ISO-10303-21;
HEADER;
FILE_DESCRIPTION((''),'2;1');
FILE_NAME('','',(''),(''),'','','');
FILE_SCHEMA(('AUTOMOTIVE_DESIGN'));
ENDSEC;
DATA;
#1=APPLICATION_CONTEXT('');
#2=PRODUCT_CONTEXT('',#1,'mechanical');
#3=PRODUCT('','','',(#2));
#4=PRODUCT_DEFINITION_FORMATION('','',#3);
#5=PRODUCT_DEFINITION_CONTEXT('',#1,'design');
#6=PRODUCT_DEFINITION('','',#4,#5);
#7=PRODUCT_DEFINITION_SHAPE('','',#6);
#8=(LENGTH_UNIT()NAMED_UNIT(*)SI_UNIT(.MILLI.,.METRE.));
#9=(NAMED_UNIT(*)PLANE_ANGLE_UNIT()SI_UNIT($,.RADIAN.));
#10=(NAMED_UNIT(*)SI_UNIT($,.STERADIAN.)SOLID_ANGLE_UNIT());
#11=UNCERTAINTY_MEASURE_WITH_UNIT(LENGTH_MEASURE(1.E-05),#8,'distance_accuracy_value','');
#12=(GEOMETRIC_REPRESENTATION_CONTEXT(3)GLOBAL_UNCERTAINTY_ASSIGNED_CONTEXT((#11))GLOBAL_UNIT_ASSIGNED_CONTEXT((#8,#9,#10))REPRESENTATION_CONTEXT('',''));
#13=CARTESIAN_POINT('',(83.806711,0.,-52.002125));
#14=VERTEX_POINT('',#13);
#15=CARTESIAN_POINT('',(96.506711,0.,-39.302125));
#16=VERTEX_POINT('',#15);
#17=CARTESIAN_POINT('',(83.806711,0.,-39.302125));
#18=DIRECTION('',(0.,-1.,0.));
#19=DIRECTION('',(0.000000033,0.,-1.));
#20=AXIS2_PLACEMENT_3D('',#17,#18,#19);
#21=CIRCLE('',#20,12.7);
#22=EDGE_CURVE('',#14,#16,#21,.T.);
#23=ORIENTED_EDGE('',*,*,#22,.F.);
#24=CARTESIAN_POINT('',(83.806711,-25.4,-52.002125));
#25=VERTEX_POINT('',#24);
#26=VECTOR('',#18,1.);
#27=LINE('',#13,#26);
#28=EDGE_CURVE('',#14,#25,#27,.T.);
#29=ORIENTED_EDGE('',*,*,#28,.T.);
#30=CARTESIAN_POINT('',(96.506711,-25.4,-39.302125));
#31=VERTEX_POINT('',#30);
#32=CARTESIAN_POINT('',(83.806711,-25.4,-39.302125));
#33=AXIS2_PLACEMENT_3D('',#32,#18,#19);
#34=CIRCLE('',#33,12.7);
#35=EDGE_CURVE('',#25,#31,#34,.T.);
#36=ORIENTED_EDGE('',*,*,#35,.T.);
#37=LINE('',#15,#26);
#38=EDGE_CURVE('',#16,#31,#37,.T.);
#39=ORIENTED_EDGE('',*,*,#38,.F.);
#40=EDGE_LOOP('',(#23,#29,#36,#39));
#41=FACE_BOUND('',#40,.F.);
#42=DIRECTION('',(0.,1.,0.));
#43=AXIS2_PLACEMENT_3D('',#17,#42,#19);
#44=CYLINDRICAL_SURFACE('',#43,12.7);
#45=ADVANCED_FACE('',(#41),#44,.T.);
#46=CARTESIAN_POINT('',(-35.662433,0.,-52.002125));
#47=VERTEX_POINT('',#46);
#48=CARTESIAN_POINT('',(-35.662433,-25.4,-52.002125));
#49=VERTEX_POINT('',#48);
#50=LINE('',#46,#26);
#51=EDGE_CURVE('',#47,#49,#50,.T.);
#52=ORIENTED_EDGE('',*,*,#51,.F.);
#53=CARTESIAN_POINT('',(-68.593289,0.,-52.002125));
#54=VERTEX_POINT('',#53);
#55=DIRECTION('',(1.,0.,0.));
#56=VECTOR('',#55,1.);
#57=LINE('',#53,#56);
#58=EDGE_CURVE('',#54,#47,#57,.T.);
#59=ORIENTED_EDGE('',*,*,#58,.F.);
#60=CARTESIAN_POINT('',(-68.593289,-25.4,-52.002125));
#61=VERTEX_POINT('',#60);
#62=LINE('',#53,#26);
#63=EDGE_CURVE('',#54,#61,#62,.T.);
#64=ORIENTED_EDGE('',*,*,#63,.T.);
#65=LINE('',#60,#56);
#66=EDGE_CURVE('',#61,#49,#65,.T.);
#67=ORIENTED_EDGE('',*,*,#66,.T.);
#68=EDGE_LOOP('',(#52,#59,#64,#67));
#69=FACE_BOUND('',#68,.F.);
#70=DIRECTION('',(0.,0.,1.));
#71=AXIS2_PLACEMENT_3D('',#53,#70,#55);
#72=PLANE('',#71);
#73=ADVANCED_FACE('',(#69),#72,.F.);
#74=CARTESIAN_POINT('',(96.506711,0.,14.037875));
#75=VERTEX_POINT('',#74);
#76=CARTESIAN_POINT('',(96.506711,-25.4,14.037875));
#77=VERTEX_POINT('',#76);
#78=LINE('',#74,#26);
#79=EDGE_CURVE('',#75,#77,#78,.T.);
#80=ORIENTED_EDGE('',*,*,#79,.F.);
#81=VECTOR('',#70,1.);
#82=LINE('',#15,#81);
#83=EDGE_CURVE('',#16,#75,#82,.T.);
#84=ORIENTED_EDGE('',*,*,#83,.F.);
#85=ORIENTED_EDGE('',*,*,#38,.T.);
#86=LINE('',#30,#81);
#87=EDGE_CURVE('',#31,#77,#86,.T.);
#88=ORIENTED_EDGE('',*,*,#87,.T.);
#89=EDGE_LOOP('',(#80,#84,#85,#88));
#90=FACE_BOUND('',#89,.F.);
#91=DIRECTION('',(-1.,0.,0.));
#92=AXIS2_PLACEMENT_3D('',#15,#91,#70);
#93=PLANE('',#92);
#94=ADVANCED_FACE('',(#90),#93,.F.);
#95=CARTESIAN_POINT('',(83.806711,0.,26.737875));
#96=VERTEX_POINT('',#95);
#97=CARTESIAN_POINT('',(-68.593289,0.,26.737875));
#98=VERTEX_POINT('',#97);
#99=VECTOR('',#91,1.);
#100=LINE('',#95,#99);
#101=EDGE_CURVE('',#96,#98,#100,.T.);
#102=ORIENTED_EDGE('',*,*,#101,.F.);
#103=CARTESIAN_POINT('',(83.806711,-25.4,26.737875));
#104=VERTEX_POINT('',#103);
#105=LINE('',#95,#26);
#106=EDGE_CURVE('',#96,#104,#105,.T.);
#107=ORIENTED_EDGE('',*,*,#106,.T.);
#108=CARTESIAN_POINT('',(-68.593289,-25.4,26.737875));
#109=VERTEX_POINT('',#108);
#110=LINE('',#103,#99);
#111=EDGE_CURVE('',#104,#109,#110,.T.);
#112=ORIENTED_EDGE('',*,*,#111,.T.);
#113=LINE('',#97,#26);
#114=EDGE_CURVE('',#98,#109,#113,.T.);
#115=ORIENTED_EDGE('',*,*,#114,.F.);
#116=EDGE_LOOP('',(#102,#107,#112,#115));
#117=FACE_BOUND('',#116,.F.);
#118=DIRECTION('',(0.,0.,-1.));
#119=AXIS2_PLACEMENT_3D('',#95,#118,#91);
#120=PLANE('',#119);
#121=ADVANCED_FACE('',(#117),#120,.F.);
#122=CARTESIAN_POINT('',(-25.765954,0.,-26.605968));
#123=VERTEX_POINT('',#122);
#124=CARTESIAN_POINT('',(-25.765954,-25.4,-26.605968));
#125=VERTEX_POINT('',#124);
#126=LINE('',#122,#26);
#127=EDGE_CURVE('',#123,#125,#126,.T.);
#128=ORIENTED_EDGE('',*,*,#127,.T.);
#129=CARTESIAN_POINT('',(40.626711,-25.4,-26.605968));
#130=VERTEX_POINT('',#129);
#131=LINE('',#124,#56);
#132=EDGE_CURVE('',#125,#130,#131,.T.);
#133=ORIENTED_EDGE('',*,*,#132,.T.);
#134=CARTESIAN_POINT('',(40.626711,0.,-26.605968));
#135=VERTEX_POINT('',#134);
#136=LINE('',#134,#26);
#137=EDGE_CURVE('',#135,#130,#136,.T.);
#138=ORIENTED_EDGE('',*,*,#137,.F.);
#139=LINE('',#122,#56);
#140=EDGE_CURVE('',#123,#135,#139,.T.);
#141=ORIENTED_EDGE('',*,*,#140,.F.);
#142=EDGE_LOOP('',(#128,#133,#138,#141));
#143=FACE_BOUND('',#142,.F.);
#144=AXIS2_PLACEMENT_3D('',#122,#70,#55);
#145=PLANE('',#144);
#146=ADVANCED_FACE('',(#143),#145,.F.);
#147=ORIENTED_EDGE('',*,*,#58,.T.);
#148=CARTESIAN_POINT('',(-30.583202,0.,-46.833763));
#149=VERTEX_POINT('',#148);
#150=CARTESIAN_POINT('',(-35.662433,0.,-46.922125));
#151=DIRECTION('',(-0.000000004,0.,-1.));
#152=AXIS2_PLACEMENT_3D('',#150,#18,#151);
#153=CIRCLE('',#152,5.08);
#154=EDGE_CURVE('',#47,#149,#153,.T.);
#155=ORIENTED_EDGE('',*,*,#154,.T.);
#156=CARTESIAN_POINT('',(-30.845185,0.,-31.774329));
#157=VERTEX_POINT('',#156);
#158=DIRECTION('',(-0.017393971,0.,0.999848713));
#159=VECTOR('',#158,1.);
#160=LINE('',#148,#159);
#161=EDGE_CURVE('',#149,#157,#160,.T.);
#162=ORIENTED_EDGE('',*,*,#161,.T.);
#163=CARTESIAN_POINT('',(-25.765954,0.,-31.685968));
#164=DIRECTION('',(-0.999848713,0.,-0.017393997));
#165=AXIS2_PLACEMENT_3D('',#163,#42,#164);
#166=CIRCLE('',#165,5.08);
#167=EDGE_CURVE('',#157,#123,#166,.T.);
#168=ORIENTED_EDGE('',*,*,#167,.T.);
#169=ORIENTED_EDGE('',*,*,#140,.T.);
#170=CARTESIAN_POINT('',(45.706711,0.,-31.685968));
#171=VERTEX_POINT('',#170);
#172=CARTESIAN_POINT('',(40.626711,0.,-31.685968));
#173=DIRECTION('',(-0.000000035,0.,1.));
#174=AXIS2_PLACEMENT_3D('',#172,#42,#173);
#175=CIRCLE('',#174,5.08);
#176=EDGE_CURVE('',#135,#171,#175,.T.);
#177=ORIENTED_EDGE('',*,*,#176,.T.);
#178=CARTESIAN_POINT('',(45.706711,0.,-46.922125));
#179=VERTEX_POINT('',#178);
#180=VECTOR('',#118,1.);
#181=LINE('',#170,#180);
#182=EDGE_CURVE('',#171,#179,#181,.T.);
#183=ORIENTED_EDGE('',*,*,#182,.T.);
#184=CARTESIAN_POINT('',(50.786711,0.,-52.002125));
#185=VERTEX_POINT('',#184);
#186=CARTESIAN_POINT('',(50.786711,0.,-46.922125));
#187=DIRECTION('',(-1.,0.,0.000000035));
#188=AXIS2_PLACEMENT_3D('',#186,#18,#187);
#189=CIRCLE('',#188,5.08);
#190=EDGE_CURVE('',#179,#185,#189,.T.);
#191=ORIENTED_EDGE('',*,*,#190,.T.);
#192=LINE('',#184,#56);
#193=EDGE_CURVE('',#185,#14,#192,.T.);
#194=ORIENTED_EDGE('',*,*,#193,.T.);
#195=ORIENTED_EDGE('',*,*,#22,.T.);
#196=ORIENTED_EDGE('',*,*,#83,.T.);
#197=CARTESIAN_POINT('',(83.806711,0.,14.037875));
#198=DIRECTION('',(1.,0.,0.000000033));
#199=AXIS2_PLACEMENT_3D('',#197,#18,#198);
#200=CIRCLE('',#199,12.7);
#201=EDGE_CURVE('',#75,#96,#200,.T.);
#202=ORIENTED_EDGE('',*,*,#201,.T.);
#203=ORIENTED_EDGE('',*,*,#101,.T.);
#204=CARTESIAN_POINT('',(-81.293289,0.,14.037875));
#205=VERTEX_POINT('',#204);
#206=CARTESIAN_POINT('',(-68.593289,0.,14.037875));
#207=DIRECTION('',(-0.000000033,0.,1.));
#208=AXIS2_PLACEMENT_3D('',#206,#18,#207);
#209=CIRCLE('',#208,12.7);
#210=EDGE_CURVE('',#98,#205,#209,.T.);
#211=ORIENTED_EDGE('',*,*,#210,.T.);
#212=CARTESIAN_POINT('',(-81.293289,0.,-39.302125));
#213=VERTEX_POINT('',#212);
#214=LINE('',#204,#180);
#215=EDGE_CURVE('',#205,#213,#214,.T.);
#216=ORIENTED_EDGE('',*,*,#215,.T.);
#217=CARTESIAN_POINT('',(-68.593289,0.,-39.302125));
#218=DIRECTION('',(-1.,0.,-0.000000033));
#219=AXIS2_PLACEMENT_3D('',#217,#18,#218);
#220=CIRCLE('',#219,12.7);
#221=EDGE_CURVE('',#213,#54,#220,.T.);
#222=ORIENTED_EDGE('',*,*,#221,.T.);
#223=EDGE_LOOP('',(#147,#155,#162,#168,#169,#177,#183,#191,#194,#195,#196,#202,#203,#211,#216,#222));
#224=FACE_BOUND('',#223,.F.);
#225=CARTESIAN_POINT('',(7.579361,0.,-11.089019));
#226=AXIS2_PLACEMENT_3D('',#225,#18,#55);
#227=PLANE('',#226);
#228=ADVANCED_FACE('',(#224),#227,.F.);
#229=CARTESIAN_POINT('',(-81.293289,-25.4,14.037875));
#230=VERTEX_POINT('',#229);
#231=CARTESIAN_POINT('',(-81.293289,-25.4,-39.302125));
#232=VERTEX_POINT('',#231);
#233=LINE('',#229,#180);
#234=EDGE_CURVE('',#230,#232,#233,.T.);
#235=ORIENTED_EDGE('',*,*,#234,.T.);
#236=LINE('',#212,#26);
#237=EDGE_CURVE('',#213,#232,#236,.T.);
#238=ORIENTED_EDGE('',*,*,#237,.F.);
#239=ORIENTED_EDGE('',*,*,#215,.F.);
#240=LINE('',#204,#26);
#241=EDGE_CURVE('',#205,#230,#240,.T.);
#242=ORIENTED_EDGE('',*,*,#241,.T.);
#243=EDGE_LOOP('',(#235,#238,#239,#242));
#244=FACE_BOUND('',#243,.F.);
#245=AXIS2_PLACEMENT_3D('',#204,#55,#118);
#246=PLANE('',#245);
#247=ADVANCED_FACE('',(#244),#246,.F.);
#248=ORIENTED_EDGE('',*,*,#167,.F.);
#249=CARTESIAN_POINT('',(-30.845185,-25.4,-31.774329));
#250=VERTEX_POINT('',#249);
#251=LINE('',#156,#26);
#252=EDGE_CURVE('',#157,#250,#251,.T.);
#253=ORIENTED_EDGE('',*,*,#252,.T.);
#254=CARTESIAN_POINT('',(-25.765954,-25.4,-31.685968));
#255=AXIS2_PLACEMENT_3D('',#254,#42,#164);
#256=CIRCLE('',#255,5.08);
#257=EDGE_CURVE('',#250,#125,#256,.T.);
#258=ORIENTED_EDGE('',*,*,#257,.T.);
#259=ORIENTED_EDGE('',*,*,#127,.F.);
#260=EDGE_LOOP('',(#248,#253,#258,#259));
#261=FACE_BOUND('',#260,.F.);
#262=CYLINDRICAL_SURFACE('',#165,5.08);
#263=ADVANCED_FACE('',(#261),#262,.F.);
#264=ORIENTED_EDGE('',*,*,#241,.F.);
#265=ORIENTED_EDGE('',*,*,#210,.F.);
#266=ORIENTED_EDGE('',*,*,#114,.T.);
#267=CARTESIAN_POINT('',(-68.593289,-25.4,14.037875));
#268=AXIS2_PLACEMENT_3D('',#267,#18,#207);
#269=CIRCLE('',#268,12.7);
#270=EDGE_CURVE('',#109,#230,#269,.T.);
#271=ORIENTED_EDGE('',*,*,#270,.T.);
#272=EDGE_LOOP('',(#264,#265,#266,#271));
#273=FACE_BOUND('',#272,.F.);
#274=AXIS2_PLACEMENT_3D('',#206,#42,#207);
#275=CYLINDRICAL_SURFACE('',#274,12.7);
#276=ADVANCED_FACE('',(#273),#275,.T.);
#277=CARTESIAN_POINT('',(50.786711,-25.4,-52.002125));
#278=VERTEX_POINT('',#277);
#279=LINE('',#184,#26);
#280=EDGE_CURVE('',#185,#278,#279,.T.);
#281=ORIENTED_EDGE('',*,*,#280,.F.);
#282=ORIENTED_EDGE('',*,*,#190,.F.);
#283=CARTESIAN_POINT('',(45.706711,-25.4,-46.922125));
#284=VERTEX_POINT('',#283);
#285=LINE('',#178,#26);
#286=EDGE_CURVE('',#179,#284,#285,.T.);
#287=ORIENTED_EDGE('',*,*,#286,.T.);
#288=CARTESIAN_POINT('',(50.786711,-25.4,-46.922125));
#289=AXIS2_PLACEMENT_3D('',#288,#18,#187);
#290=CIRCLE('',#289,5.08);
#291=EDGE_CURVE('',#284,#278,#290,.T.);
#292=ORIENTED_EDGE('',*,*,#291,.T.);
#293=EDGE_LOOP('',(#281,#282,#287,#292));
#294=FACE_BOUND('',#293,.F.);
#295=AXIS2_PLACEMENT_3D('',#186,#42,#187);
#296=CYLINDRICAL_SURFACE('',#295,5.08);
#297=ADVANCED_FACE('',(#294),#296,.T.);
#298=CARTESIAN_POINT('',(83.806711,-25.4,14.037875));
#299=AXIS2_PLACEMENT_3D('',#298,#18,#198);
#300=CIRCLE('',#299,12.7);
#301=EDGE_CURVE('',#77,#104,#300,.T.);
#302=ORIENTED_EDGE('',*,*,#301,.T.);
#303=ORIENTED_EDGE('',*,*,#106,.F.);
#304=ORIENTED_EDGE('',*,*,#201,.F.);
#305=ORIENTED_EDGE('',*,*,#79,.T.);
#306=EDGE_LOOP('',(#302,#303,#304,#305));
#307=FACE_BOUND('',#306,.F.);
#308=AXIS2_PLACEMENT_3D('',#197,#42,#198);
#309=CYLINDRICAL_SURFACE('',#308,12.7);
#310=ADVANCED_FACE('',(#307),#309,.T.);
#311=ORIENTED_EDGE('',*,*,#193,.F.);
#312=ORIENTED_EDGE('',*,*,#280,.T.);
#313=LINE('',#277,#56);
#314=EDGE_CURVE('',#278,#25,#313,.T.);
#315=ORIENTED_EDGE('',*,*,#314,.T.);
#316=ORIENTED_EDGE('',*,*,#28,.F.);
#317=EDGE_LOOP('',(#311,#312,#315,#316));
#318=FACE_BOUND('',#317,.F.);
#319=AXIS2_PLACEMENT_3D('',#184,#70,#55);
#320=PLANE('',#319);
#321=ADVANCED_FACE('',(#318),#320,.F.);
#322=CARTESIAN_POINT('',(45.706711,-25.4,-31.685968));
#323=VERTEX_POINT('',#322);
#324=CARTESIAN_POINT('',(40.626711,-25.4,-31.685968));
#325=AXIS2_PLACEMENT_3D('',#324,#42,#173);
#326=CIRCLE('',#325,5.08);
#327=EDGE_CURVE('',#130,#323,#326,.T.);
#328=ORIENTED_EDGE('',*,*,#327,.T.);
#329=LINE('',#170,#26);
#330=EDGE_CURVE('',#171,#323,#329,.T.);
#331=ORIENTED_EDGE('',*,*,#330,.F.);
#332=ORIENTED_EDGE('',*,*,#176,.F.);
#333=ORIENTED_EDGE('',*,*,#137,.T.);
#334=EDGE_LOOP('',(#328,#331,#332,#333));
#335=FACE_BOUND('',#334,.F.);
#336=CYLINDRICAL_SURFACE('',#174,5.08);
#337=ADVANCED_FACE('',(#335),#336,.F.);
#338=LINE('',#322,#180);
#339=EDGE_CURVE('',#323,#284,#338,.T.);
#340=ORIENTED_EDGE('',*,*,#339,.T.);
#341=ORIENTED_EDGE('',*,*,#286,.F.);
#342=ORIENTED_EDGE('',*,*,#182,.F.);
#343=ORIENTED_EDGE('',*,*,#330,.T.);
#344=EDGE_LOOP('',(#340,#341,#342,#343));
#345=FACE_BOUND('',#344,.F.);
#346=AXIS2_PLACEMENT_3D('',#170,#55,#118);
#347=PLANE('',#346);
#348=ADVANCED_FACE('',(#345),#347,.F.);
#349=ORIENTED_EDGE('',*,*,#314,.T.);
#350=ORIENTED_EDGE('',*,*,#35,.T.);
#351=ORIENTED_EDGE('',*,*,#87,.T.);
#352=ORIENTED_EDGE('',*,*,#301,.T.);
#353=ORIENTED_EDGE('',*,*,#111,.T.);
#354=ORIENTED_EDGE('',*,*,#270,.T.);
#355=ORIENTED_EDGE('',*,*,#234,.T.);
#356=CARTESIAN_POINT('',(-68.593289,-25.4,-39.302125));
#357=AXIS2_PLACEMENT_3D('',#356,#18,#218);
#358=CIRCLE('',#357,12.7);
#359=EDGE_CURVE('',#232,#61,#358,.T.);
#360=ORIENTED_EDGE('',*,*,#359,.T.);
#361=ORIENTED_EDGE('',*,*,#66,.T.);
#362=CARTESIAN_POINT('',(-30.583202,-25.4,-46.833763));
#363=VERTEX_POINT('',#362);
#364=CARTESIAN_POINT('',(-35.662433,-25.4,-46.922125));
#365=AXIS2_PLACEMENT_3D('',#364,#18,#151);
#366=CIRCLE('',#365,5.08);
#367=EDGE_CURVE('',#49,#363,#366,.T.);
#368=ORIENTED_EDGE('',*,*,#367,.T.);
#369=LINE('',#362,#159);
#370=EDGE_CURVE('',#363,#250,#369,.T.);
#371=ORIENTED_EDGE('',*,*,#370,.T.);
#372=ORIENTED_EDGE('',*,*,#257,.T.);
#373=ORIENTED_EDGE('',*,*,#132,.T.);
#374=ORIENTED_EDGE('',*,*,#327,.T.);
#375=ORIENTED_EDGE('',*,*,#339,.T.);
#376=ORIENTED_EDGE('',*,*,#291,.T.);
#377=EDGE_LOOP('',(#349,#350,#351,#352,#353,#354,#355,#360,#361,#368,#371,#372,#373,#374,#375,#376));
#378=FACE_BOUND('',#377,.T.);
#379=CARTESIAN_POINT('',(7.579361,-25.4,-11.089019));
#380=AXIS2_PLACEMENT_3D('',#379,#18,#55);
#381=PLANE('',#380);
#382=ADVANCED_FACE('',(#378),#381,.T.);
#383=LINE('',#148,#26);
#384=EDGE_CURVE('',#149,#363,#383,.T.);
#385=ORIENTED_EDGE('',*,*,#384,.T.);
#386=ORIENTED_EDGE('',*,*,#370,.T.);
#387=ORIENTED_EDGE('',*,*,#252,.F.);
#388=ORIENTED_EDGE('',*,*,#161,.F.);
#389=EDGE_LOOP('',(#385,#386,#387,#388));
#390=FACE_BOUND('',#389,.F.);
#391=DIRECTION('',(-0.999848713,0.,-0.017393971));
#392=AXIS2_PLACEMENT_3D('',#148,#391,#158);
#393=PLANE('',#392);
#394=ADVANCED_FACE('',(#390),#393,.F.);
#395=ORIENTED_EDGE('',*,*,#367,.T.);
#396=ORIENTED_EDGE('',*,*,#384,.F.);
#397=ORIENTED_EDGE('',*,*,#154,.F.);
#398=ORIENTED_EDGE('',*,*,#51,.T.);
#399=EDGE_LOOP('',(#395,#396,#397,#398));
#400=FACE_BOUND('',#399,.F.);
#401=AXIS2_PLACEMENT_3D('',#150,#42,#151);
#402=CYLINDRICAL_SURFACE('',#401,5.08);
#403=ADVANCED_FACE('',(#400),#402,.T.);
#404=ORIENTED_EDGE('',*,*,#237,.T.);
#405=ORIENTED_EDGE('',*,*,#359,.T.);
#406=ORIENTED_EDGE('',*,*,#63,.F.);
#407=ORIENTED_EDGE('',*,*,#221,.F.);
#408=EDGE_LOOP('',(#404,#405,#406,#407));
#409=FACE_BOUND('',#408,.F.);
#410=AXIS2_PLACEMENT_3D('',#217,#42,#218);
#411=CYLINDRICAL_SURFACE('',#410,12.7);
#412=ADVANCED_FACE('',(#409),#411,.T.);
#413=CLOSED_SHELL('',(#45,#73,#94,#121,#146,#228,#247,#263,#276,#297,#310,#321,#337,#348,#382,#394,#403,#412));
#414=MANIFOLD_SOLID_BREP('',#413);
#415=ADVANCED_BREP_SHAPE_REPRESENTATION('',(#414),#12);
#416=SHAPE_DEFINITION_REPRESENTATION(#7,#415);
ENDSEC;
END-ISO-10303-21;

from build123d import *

# Parameters (mm, degrees)
F1_DEPTH = 25.4


with BuildPart() as f1:
    # F0 (on Front) → F1 (new body)
    with BuildSketch(Plane.XZ):
        with BuildLine():
            Line((83.806711, 26.737875), (-68.593289, 26.737875))
            ThreePointArc((-68.593289, 26.737875), (-77.573545, 23.018131), (-81.293289, 14.037875))
            Line((-81.293289, 14.037875), (-81.293289, -39.302125))
            ThreePointArc((-81.293289, -39.302125), (-77.573545, -48.282381), (-68.593289, -52.002125))
            Line((-68.593289, -52.002125), (-35.662433, -52.002125))
            ThreePointArc((-35.662433, -52.002125), (-32.039225, -50.48285), (-30.583202, -46.833763))
            Line((-30.583202, -46.833763), (-30.845185, -31.774329))
            ThreePointArc((-30.845185, -31.774329), (-29.389162, -28.125243), (-25.765954, -26.605968))
            Line((-25.765954, -26.605968), (40.626711, -26.605968))
            ThreePointArc((40.626711, -26.605968), (44.218813, -28.093865), (45.706711, -31.685968))
            Line((45.706711, -31.685968), (45.706711, -46.922125))
            ThreePointArc((45.706711, -46.922125), (47.194608, -50.514227), (50.786711, -52.002125))
            Line((50.786711, -52.002125), (83.806711, -52.002125))
            ThreePointArc((83.806711, -52.002125), (92.786967, -48.282381), (96.506711, -39.302125))
            Line((96.506711, -39.302125), (96.506711, 14.037875))
            ThreePointArc((96.506711, 14.037875), (92.786967, 23.018131), (83.806711, 26.737875))
        make_face()
    extrude(amount=F1_DEPTH)


solid = f1.part
